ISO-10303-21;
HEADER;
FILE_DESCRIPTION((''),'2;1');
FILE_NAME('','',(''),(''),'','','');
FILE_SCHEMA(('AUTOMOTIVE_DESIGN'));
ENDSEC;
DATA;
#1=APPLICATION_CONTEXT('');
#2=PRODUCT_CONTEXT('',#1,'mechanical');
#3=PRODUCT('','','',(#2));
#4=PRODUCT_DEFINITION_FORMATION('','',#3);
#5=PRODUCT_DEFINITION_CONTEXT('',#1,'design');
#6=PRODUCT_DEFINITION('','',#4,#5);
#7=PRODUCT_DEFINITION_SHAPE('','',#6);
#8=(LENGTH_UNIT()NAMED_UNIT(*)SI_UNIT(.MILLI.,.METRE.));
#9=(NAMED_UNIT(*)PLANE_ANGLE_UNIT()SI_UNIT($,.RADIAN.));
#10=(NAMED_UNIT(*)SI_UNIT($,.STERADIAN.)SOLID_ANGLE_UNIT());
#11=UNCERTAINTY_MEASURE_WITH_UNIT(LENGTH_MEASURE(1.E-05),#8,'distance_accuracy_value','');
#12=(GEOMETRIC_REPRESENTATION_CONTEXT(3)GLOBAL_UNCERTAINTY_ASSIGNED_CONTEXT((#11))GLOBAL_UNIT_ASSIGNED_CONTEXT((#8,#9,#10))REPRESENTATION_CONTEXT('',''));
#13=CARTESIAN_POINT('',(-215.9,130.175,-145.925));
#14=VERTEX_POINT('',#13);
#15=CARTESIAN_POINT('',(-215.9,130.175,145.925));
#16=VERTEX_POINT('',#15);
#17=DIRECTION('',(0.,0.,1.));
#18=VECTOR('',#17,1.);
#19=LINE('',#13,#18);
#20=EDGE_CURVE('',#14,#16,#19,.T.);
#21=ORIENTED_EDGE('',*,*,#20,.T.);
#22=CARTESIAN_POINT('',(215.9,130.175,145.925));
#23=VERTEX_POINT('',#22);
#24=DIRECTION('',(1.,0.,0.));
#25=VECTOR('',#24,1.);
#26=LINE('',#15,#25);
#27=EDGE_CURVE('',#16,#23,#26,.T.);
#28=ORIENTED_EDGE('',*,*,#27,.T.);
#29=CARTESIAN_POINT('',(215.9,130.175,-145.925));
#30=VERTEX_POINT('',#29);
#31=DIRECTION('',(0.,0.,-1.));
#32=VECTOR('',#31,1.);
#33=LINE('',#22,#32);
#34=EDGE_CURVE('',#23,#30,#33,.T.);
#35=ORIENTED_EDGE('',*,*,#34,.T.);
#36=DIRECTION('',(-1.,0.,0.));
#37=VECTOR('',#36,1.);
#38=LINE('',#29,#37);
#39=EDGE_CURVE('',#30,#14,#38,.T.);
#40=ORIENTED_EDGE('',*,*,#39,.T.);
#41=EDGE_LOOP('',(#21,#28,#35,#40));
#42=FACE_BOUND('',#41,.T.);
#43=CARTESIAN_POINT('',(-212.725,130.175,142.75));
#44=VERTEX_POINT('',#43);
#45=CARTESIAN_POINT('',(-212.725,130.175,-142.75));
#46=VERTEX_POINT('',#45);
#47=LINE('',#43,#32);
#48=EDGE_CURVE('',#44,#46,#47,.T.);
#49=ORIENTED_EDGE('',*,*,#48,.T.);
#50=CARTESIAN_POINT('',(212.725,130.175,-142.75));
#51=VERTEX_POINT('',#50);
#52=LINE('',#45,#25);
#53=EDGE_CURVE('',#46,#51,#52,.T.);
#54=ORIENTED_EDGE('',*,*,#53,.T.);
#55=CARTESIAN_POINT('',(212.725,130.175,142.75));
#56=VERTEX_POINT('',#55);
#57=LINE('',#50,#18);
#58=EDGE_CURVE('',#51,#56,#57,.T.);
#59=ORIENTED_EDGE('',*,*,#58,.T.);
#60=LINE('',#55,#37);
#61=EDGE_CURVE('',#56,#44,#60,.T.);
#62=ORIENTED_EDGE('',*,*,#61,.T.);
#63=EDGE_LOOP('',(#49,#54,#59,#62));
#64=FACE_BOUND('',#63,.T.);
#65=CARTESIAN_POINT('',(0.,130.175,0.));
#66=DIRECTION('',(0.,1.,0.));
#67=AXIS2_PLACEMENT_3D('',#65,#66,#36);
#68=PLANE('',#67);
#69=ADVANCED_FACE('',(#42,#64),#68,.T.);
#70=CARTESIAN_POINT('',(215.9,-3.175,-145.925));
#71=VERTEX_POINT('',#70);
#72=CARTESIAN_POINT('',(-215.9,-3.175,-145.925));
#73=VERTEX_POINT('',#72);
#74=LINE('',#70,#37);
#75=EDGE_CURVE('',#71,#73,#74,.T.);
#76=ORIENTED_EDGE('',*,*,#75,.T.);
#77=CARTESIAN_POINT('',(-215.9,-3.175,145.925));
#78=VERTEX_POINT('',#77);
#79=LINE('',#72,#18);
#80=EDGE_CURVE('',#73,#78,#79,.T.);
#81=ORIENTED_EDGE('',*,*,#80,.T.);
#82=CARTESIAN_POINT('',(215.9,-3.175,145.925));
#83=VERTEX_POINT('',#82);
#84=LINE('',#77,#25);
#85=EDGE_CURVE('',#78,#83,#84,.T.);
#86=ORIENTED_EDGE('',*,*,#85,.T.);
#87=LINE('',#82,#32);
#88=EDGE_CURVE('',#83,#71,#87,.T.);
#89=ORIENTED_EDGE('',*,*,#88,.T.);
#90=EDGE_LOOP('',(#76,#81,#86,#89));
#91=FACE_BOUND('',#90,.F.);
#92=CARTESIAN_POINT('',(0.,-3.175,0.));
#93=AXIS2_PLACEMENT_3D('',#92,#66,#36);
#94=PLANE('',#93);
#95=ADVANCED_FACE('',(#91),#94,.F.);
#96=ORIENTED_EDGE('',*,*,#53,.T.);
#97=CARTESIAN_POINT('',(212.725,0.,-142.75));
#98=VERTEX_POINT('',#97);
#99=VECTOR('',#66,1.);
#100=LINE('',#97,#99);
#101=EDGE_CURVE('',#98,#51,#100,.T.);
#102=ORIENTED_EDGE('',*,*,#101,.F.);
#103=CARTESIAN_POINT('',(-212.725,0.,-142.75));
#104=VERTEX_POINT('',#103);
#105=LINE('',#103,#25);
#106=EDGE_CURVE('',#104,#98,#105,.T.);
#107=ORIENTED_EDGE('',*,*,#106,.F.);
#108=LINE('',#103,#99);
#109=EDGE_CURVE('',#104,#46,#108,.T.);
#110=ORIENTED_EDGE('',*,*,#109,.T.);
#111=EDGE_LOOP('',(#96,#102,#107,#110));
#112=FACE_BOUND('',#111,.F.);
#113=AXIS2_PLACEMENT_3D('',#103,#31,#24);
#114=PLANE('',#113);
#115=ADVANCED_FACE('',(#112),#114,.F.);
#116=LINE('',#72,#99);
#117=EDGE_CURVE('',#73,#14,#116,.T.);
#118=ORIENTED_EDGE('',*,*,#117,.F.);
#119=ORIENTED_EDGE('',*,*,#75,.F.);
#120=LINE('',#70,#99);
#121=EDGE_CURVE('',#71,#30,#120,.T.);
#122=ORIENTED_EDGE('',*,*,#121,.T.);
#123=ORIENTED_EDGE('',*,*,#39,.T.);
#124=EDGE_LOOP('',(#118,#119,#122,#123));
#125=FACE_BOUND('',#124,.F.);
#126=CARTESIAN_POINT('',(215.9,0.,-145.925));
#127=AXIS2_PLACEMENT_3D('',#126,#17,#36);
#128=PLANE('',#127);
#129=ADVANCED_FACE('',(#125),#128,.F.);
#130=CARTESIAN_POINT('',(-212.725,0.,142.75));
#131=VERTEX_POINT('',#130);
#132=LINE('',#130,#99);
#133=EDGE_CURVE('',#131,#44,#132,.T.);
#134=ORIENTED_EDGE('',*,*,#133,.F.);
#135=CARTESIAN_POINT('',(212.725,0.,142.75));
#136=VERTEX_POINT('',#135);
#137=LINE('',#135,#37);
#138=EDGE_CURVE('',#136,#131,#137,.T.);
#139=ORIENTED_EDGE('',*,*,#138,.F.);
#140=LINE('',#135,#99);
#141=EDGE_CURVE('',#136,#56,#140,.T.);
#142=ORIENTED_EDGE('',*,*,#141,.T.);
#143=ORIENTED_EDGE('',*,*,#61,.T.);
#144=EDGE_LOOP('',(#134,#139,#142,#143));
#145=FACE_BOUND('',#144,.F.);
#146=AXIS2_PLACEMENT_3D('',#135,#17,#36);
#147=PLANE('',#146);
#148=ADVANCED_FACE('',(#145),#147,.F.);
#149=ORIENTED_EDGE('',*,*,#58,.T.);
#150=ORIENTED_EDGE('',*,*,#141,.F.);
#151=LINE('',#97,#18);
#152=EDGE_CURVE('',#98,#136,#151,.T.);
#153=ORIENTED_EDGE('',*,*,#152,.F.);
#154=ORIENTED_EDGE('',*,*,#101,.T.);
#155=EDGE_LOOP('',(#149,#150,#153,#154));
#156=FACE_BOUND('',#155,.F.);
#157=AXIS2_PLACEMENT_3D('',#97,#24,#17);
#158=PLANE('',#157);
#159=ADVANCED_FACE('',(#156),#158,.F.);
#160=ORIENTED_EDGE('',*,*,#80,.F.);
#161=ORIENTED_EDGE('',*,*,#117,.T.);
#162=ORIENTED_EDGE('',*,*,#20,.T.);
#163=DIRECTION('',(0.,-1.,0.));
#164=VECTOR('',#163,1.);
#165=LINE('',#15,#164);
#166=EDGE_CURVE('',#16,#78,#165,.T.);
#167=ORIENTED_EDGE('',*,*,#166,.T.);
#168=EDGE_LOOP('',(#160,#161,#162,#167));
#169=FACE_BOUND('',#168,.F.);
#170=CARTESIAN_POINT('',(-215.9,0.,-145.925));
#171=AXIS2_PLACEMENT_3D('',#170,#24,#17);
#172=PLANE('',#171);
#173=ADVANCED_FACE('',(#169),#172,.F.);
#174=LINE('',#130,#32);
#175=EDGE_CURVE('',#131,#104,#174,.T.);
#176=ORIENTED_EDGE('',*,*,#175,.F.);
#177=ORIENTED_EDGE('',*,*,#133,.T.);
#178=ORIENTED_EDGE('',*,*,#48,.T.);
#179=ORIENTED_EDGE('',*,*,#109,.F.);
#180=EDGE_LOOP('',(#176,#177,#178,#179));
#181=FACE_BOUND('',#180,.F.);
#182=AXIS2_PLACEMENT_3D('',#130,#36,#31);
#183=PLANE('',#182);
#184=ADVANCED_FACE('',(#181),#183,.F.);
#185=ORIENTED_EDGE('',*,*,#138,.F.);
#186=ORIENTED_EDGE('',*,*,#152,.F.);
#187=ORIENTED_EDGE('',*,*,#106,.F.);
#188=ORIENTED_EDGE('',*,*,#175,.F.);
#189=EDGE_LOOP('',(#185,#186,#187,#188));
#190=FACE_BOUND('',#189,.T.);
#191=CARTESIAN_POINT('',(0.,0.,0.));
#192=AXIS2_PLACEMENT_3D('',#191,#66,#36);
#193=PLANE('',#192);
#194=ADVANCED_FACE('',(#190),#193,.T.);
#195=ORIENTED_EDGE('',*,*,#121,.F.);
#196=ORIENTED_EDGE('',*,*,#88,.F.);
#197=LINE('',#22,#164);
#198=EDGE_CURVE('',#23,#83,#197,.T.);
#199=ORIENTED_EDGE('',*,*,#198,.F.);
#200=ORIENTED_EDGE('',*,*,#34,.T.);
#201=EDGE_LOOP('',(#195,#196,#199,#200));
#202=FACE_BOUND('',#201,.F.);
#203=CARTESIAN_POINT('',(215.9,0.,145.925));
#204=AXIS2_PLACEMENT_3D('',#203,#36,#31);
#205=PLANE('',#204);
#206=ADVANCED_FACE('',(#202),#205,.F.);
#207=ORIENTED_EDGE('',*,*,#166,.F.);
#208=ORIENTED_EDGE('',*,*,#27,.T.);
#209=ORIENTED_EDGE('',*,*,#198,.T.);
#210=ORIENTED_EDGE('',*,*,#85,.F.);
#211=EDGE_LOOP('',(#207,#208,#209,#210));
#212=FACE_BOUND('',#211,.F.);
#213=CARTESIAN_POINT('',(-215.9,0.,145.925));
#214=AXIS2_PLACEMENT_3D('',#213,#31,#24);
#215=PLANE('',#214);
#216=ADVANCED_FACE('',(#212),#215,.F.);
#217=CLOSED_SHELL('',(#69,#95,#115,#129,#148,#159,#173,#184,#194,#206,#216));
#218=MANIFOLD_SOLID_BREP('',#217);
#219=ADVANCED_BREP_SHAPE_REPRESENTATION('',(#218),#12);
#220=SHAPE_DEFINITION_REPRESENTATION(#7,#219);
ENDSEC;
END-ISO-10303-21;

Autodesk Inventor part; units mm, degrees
ref_plane "YZ Plane" through (0, 0, 0) normal (1, 0, 0) x (0, 1, 0)
ref_plane "XZ Plane" through (0, 0, 0) normal (0, 1, 0) x (-1, 0, 0)
ref_plane "XY Plane" through (0, 0, 0) normal (0, 0, 1) x (1, 0, 0)
sketch "Sketch1" plane through (0, 0, 0) normal (0, 1, 0) x (-1, 0, 0)
  line L0 (-212.725, 142.75) -> (212.725, 142.75)
  line L1 (212.725, 142.75) -> (212.725, -142.75)
  line L2 (212.725, -142.75) -> (-212.725, -142.75)
  line L3 (-212.725, -142.75) -> (-212.725, 142.75)
  line L4 (-212.725, 142.75) -> (212.725, -142.75) construction
  line L5 (212.725, 142.75) -> (-212.725, -142.75) construction
  line L6 (-215.9, -145.925) -> (215.9, -145.925)
  line L7 (215.9, -145.925) -> (215.9, 145.925)
  line L8 (215.9, 145.925) -> (-215.9, 145.925)
  line L9 (-215.9, 145.925) -> (-215.9, -145.925)
  point P0 (0, 0)
  dimension "d0" = 425.45
  dimension "d1" = 285.5
  dimension "d2" = 3.175
extrude "Extrusion1" add sketch "Sketch1" against normal blind 3.175 contours L0 L1 L2 L3 | L9 L8 L7 L6
extrude "Extrusion2" add sketch "Sketch1" along normal blind 130.175
properties part number "Box_Base" material "Paper"
